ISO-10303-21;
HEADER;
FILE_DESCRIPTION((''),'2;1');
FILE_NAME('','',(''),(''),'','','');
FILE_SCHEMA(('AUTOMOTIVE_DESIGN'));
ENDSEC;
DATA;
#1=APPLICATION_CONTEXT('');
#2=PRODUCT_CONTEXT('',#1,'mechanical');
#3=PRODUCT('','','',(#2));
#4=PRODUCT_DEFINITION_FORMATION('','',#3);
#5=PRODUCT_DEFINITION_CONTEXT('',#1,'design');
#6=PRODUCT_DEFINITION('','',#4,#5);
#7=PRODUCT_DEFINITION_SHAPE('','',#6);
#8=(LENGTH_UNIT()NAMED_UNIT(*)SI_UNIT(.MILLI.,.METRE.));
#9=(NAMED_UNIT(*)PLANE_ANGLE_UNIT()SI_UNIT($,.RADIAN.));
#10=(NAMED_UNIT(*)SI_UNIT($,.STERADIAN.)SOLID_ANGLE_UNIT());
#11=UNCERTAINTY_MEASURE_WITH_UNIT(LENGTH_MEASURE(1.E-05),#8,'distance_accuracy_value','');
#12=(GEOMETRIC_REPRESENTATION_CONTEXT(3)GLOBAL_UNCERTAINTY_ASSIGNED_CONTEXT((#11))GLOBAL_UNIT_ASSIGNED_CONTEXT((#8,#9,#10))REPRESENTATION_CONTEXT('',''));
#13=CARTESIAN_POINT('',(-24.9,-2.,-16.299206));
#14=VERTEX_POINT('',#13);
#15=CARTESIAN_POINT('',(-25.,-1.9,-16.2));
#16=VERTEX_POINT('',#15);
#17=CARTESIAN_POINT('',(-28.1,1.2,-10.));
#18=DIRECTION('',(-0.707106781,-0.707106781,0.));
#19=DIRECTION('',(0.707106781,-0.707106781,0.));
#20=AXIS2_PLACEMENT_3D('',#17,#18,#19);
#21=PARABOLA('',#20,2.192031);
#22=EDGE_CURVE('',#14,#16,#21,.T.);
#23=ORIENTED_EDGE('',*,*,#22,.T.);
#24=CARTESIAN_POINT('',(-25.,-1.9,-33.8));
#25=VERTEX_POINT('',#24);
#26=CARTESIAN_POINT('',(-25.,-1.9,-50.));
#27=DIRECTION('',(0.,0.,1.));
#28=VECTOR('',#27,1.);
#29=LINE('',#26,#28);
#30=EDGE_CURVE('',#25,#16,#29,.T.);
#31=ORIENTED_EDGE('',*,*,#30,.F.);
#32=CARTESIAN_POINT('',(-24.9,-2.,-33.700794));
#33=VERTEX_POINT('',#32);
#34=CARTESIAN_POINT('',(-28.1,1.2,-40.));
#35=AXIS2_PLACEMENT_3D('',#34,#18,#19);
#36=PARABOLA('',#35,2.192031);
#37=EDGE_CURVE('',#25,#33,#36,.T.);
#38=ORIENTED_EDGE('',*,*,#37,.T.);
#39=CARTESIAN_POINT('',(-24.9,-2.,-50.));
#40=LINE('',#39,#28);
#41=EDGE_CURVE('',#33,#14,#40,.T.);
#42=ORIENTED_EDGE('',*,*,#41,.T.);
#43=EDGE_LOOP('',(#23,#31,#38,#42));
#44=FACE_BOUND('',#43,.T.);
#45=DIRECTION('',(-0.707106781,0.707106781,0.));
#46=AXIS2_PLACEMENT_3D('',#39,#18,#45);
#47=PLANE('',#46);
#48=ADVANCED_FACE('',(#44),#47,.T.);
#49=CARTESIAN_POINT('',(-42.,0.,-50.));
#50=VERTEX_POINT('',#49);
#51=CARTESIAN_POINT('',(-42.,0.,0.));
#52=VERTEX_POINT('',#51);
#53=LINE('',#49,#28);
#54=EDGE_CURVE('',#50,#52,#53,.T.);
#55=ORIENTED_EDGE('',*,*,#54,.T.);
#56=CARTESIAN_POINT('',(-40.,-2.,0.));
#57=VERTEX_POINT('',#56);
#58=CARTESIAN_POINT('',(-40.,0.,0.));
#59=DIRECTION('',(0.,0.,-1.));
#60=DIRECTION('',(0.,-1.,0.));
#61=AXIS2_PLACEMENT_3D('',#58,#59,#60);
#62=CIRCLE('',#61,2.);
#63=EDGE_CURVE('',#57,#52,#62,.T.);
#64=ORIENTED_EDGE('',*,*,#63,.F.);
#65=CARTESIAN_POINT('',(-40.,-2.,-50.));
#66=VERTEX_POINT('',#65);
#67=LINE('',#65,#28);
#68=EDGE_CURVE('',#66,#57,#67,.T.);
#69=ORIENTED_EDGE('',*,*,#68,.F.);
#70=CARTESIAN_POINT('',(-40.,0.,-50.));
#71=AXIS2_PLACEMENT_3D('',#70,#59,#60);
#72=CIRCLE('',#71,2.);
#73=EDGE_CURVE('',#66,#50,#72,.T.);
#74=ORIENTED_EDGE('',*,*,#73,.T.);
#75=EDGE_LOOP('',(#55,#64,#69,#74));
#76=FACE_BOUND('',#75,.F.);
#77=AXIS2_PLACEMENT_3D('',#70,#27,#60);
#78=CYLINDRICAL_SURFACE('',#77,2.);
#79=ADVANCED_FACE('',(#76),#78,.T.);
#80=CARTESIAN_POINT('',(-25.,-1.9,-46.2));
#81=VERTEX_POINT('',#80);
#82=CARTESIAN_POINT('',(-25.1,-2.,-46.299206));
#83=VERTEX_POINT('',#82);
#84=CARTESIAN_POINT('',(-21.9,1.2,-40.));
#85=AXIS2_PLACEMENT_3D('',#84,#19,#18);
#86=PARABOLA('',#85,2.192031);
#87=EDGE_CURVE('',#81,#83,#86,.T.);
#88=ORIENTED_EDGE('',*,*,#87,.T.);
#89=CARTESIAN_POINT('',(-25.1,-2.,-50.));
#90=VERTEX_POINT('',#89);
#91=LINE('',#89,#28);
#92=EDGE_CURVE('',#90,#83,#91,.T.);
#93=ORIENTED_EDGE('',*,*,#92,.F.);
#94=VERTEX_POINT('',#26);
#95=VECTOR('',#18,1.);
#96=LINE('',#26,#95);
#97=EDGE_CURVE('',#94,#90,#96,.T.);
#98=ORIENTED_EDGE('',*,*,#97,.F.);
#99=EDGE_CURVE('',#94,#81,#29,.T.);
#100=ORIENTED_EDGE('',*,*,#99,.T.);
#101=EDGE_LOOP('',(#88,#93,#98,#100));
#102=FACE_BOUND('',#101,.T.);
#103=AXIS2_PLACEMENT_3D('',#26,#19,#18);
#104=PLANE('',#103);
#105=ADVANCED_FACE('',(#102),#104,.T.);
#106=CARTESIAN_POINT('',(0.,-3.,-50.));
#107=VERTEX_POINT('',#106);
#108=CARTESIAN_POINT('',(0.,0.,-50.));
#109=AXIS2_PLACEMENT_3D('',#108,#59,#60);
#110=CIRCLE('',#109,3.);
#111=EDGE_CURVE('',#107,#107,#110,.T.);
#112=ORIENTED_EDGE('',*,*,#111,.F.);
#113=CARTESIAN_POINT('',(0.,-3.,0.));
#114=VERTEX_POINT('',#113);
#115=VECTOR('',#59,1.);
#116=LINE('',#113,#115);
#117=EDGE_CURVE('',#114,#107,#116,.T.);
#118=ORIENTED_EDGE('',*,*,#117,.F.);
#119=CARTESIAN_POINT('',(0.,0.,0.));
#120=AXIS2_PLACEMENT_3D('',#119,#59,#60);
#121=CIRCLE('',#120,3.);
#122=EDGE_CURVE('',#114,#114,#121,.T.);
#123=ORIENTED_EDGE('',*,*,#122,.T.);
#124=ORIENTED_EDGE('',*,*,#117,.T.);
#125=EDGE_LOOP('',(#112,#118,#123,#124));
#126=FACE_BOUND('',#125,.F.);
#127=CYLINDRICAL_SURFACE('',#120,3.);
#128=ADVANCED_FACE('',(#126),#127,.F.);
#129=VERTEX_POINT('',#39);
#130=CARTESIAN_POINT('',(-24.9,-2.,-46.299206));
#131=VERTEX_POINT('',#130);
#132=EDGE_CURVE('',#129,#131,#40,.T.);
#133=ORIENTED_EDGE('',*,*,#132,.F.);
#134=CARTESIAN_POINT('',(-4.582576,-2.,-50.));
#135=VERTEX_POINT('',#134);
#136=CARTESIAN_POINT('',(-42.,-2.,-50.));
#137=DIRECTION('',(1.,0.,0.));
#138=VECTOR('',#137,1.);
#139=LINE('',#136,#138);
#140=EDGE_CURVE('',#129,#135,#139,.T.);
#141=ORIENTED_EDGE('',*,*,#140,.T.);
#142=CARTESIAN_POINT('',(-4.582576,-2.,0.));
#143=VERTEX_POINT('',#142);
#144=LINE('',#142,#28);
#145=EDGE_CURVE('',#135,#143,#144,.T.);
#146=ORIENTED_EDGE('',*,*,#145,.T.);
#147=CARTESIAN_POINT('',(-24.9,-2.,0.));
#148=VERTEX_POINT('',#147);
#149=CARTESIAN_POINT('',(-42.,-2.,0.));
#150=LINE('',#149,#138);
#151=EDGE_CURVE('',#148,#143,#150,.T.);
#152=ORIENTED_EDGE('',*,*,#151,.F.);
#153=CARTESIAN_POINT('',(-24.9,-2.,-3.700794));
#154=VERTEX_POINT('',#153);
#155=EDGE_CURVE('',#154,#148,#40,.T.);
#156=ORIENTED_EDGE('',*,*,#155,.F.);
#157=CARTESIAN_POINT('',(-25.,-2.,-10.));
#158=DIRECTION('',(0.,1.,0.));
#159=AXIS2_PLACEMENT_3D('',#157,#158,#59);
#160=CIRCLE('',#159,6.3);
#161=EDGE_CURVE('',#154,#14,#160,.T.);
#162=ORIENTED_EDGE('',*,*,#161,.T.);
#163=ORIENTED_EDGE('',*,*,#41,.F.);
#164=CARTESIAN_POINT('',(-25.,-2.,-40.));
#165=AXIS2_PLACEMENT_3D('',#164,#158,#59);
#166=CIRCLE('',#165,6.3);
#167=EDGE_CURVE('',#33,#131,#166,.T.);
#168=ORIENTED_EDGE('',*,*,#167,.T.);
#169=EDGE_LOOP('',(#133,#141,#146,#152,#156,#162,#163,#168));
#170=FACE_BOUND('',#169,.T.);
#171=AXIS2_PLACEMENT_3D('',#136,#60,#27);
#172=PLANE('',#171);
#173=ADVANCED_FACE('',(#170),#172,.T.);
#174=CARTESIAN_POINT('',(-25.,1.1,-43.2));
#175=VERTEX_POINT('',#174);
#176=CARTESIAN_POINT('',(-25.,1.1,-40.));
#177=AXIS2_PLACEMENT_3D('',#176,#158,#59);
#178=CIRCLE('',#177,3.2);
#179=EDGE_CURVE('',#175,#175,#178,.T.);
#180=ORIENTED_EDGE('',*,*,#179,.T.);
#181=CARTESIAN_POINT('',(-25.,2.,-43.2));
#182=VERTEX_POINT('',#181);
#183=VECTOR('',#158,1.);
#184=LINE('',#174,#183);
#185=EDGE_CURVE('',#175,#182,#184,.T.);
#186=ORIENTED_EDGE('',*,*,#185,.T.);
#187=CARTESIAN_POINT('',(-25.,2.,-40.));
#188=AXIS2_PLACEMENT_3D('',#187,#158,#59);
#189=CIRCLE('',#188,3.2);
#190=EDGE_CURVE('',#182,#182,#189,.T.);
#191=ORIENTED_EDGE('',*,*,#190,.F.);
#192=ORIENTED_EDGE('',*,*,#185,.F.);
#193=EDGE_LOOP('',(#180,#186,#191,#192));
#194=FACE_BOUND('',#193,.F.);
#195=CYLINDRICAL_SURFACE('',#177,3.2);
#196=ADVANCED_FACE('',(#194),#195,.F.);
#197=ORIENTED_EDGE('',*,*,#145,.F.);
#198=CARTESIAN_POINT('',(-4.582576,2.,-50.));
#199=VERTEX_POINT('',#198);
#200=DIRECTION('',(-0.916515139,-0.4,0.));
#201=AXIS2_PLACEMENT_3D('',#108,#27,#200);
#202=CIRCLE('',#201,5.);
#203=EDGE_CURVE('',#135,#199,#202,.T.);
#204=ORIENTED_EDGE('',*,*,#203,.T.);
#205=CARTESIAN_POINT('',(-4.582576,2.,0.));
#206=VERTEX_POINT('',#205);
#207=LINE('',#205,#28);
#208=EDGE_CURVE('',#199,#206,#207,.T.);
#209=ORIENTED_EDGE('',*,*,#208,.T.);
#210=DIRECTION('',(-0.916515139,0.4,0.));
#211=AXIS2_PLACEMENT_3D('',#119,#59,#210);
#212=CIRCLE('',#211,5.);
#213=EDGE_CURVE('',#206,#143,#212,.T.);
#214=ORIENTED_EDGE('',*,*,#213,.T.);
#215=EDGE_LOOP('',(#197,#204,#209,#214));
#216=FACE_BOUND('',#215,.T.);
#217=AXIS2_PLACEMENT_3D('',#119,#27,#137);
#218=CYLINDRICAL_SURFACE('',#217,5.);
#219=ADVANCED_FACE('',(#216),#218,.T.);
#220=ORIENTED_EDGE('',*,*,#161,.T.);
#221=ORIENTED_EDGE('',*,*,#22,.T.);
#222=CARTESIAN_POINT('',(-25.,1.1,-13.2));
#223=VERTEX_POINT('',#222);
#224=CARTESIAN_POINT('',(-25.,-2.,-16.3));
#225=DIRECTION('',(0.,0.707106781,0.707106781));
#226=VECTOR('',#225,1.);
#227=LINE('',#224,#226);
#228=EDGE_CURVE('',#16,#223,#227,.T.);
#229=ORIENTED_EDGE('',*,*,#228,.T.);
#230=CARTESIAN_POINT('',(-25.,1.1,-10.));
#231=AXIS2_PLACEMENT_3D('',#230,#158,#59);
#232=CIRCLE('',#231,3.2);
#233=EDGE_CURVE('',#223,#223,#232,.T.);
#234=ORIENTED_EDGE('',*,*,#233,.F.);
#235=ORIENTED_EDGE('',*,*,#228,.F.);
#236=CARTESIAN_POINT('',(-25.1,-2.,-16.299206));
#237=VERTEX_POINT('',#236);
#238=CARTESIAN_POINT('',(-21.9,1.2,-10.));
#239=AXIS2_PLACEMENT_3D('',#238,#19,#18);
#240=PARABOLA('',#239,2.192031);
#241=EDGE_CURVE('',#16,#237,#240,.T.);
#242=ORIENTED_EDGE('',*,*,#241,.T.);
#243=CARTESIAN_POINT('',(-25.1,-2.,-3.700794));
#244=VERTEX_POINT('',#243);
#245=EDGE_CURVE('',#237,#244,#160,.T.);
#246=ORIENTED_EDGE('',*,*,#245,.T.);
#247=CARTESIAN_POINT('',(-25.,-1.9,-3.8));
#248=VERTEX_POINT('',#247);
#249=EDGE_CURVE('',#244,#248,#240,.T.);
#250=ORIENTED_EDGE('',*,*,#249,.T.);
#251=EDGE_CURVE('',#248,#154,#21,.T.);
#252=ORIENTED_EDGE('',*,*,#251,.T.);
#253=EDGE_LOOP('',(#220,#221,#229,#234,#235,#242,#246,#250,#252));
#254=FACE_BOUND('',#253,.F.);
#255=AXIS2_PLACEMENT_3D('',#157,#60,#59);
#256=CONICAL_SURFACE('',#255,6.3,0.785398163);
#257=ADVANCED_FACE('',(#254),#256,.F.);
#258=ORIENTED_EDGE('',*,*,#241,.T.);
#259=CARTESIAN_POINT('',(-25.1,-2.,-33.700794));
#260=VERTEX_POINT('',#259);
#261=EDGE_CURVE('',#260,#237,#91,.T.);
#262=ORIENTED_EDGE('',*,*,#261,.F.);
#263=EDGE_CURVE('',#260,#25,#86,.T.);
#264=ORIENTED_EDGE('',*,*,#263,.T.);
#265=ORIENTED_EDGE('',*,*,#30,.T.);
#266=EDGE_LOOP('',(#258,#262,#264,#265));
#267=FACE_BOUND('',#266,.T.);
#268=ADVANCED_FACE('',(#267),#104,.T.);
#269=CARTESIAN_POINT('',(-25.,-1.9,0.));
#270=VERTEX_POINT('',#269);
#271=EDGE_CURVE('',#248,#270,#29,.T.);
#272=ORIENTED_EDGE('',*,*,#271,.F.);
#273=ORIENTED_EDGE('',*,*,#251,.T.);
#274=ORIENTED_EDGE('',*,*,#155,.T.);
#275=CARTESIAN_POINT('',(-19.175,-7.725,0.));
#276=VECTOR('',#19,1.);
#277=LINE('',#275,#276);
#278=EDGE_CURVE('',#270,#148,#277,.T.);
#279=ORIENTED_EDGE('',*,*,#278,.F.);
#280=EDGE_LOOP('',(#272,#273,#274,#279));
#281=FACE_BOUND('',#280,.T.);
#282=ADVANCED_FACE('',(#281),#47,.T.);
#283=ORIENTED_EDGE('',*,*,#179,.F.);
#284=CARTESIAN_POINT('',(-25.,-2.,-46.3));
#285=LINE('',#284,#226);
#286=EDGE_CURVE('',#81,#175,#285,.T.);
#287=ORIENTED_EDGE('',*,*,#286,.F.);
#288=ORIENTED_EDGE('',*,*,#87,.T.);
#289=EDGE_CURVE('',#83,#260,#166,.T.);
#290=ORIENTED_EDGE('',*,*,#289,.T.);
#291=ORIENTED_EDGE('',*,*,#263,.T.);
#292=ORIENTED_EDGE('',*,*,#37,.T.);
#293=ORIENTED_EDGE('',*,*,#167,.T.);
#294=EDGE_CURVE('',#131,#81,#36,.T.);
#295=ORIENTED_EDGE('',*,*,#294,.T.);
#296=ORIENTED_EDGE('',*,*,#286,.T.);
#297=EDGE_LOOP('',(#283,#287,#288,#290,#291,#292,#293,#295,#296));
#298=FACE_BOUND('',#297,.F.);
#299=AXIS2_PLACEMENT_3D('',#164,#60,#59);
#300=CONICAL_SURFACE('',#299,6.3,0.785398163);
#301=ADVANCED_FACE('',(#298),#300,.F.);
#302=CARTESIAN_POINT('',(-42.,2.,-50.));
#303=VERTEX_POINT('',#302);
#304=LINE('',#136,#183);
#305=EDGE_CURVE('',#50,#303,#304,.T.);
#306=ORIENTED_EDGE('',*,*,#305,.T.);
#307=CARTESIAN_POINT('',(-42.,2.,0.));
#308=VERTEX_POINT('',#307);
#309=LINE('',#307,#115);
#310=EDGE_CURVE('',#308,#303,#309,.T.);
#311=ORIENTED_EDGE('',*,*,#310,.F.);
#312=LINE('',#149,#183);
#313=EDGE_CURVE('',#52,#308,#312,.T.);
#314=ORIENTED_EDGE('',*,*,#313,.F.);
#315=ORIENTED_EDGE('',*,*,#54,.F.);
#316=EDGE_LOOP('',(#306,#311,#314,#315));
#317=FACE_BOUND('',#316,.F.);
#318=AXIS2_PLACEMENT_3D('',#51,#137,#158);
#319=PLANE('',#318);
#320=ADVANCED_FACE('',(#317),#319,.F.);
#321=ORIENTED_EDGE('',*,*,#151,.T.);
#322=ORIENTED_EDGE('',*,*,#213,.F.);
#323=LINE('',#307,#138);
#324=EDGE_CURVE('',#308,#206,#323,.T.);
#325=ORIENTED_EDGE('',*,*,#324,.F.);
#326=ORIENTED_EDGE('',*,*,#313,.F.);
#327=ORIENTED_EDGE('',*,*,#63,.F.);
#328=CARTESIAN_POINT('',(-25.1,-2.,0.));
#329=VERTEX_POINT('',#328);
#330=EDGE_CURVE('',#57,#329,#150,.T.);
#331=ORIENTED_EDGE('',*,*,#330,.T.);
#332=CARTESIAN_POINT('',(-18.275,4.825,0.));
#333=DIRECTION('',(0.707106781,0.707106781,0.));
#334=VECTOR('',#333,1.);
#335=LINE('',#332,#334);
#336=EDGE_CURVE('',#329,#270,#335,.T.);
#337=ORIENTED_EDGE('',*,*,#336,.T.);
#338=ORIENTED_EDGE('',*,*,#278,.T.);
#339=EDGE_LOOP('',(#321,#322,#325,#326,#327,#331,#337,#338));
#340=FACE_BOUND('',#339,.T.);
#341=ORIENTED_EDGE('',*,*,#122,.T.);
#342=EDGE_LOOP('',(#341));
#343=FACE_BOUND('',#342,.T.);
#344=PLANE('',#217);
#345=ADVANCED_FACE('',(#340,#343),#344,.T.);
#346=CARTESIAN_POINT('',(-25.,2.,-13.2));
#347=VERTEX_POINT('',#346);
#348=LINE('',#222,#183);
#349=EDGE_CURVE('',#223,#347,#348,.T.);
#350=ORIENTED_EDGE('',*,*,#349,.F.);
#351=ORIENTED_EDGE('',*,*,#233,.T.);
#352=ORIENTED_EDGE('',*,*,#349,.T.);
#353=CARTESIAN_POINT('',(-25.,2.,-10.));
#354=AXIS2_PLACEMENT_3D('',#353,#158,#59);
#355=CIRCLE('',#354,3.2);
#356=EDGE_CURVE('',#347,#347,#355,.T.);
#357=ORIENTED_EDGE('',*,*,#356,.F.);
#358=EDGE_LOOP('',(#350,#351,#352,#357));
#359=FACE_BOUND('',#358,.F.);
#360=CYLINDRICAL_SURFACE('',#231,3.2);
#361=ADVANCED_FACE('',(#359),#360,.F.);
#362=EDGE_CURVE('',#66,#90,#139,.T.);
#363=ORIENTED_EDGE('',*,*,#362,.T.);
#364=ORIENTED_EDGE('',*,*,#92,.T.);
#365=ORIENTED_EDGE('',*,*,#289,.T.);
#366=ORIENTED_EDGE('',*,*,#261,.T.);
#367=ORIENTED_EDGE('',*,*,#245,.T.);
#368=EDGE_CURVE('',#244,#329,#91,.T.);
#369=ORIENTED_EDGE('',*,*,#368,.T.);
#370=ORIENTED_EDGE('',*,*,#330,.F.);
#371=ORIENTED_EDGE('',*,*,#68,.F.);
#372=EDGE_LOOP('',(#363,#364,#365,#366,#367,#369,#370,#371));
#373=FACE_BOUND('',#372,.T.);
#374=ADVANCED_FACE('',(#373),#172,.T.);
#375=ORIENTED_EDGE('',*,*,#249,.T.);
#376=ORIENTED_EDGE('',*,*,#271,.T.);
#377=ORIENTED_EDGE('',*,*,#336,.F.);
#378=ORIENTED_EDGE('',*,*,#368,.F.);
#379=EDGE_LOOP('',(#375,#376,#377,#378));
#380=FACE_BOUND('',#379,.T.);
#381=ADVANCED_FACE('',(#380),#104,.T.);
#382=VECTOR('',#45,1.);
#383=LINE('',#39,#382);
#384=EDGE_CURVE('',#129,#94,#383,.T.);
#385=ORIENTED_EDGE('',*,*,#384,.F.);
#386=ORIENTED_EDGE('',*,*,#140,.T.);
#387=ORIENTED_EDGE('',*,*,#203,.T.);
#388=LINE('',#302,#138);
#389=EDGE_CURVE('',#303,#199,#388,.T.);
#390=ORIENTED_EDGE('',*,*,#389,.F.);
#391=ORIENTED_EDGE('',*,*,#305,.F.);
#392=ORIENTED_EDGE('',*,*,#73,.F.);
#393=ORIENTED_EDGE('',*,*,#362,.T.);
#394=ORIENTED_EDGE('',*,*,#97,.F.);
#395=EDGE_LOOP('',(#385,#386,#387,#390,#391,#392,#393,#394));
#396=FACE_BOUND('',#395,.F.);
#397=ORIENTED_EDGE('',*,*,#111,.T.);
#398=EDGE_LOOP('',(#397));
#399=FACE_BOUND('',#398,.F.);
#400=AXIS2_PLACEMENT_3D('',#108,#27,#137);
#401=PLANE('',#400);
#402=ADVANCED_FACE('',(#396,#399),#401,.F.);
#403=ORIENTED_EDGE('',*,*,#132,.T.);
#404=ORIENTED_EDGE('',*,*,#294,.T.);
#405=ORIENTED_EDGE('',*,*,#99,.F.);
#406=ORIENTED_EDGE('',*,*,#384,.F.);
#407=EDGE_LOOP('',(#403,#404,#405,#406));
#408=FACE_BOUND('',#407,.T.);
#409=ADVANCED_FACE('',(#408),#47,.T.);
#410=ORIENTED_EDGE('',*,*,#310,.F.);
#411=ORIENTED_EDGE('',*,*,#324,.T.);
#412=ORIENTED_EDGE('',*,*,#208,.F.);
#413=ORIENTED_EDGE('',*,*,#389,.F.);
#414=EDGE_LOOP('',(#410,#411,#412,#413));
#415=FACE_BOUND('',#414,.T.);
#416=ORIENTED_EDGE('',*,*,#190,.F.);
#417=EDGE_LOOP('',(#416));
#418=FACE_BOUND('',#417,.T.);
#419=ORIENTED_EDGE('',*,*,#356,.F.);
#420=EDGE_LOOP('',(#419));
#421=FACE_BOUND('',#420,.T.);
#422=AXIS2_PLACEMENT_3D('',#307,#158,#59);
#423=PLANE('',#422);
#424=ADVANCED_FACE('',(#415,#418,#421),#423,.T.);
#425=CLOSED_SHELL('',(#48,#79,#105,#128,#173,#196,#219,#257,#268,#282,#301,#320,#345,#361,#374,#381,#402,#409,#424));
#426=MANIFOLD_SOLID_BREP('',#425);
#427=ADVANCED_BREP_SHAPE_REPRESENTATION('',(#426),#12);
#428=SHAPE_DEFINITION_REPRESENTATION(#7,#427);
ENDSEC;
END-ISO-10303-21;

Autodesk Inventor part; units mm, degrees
ref_plane "XZ Plane" through (0, 0, 0) normal (0, 1, 0) x (-1, 0, 0)
sketch "Sketch1" plane through (0, 0, 0) normal (0, 0, 1) x (1, 0, 0)
  circle A0 centre (0, 0) radius 5
  dimension "d0" = 10
extrude "Extrusion1" add sketch "Sketch1" against normal blind 50
ref_plane "Work Plane1" through (-42, 0, 0) normal (1, 0, 0) x (0, 1, 0)
sketch "Sketch2" plane through (-42, 0, 0) normal (1, 0, 0) x (0, 1, 0)
  line L0 (5, -50) -> (-5, -50) projected
  line L1 (-5, 0) -> (5, 0) projected
  line L2 (0, -60) -> (0, 10) projected
  line L3 (-2, 0) -> (2, 0)
  line L4 (2, 0) -> (2, -50)
  line L5 (2, -50) -> (-2, -50)
  line L6 (-2, -50) -> (-2, 0)
  dimension "d4" = 4
  dimension "d5" = 2
extrude "Extrusion2" add sketch "Sketch2" along normal blind 42
sketch "Sketch3" plane through (0, 0, 0) normal (0, 0, 1) x (1, 0, 0)
  arc A0 (-4.5826, -2) -> (-4.5826, 2) centre (0, 0) ccw projected
hole "Hole1" at (0, 0, 0) direction (0, 0, -1) diameter 6 end through all
ref_plane "Work Plane2" through (-25, 0, 0) normal (1, 0, 0) x (0, 1, 0)
sketch "Sketch4" plane through (-42, -2, -50) normal (0, -1, 0) x (1, 0, 0)
  line L0 (0, 0) -> (37.4174, 0) projected
  line L1 (17, 60) -> (17, -10) projected
  point P0 (17, 40)
  point P1 (17, 10)
  dimension "d16" = 30
  dimension "d17" = 10
hole "Hole2" at (-25, -2, -10) at (-25, -2, -40) direction (0, 1, 0) diameter 6.4 end through all countersink diameter 12.6 countersink angle 90 clearance for "Flat Head Machine Screw" size "M6" standard "Ansi Metric M Profile"
sketch "Sketch5" plane through (0, 0, -50) normal (0, 0, -1) x (-1, 0, 0)
  line L0 (42, -2) -> (4.5826, -2) projected
  line L1 (25, -7) -> (25, 7) projected
  line L2 (24.9, -2) -> (25, -1.9)
  line L3 (25, -1.9) -> (25.1, -2)
  dimension "d25" = 90
  dimension "d26" = 45
  dimension "d27" = 0.1
extrude "Extrusion3" cut sketch "Sketch5" against normal through all
fillet "Fillet1" radius 2 1 edges at (-42, -2, -25)
equation "\"d5\" = 0.5 * d4"
equation "\"d26\" = 0.5 * d25"
properties part number "23-225Z1" material "Aluminum-6061"
